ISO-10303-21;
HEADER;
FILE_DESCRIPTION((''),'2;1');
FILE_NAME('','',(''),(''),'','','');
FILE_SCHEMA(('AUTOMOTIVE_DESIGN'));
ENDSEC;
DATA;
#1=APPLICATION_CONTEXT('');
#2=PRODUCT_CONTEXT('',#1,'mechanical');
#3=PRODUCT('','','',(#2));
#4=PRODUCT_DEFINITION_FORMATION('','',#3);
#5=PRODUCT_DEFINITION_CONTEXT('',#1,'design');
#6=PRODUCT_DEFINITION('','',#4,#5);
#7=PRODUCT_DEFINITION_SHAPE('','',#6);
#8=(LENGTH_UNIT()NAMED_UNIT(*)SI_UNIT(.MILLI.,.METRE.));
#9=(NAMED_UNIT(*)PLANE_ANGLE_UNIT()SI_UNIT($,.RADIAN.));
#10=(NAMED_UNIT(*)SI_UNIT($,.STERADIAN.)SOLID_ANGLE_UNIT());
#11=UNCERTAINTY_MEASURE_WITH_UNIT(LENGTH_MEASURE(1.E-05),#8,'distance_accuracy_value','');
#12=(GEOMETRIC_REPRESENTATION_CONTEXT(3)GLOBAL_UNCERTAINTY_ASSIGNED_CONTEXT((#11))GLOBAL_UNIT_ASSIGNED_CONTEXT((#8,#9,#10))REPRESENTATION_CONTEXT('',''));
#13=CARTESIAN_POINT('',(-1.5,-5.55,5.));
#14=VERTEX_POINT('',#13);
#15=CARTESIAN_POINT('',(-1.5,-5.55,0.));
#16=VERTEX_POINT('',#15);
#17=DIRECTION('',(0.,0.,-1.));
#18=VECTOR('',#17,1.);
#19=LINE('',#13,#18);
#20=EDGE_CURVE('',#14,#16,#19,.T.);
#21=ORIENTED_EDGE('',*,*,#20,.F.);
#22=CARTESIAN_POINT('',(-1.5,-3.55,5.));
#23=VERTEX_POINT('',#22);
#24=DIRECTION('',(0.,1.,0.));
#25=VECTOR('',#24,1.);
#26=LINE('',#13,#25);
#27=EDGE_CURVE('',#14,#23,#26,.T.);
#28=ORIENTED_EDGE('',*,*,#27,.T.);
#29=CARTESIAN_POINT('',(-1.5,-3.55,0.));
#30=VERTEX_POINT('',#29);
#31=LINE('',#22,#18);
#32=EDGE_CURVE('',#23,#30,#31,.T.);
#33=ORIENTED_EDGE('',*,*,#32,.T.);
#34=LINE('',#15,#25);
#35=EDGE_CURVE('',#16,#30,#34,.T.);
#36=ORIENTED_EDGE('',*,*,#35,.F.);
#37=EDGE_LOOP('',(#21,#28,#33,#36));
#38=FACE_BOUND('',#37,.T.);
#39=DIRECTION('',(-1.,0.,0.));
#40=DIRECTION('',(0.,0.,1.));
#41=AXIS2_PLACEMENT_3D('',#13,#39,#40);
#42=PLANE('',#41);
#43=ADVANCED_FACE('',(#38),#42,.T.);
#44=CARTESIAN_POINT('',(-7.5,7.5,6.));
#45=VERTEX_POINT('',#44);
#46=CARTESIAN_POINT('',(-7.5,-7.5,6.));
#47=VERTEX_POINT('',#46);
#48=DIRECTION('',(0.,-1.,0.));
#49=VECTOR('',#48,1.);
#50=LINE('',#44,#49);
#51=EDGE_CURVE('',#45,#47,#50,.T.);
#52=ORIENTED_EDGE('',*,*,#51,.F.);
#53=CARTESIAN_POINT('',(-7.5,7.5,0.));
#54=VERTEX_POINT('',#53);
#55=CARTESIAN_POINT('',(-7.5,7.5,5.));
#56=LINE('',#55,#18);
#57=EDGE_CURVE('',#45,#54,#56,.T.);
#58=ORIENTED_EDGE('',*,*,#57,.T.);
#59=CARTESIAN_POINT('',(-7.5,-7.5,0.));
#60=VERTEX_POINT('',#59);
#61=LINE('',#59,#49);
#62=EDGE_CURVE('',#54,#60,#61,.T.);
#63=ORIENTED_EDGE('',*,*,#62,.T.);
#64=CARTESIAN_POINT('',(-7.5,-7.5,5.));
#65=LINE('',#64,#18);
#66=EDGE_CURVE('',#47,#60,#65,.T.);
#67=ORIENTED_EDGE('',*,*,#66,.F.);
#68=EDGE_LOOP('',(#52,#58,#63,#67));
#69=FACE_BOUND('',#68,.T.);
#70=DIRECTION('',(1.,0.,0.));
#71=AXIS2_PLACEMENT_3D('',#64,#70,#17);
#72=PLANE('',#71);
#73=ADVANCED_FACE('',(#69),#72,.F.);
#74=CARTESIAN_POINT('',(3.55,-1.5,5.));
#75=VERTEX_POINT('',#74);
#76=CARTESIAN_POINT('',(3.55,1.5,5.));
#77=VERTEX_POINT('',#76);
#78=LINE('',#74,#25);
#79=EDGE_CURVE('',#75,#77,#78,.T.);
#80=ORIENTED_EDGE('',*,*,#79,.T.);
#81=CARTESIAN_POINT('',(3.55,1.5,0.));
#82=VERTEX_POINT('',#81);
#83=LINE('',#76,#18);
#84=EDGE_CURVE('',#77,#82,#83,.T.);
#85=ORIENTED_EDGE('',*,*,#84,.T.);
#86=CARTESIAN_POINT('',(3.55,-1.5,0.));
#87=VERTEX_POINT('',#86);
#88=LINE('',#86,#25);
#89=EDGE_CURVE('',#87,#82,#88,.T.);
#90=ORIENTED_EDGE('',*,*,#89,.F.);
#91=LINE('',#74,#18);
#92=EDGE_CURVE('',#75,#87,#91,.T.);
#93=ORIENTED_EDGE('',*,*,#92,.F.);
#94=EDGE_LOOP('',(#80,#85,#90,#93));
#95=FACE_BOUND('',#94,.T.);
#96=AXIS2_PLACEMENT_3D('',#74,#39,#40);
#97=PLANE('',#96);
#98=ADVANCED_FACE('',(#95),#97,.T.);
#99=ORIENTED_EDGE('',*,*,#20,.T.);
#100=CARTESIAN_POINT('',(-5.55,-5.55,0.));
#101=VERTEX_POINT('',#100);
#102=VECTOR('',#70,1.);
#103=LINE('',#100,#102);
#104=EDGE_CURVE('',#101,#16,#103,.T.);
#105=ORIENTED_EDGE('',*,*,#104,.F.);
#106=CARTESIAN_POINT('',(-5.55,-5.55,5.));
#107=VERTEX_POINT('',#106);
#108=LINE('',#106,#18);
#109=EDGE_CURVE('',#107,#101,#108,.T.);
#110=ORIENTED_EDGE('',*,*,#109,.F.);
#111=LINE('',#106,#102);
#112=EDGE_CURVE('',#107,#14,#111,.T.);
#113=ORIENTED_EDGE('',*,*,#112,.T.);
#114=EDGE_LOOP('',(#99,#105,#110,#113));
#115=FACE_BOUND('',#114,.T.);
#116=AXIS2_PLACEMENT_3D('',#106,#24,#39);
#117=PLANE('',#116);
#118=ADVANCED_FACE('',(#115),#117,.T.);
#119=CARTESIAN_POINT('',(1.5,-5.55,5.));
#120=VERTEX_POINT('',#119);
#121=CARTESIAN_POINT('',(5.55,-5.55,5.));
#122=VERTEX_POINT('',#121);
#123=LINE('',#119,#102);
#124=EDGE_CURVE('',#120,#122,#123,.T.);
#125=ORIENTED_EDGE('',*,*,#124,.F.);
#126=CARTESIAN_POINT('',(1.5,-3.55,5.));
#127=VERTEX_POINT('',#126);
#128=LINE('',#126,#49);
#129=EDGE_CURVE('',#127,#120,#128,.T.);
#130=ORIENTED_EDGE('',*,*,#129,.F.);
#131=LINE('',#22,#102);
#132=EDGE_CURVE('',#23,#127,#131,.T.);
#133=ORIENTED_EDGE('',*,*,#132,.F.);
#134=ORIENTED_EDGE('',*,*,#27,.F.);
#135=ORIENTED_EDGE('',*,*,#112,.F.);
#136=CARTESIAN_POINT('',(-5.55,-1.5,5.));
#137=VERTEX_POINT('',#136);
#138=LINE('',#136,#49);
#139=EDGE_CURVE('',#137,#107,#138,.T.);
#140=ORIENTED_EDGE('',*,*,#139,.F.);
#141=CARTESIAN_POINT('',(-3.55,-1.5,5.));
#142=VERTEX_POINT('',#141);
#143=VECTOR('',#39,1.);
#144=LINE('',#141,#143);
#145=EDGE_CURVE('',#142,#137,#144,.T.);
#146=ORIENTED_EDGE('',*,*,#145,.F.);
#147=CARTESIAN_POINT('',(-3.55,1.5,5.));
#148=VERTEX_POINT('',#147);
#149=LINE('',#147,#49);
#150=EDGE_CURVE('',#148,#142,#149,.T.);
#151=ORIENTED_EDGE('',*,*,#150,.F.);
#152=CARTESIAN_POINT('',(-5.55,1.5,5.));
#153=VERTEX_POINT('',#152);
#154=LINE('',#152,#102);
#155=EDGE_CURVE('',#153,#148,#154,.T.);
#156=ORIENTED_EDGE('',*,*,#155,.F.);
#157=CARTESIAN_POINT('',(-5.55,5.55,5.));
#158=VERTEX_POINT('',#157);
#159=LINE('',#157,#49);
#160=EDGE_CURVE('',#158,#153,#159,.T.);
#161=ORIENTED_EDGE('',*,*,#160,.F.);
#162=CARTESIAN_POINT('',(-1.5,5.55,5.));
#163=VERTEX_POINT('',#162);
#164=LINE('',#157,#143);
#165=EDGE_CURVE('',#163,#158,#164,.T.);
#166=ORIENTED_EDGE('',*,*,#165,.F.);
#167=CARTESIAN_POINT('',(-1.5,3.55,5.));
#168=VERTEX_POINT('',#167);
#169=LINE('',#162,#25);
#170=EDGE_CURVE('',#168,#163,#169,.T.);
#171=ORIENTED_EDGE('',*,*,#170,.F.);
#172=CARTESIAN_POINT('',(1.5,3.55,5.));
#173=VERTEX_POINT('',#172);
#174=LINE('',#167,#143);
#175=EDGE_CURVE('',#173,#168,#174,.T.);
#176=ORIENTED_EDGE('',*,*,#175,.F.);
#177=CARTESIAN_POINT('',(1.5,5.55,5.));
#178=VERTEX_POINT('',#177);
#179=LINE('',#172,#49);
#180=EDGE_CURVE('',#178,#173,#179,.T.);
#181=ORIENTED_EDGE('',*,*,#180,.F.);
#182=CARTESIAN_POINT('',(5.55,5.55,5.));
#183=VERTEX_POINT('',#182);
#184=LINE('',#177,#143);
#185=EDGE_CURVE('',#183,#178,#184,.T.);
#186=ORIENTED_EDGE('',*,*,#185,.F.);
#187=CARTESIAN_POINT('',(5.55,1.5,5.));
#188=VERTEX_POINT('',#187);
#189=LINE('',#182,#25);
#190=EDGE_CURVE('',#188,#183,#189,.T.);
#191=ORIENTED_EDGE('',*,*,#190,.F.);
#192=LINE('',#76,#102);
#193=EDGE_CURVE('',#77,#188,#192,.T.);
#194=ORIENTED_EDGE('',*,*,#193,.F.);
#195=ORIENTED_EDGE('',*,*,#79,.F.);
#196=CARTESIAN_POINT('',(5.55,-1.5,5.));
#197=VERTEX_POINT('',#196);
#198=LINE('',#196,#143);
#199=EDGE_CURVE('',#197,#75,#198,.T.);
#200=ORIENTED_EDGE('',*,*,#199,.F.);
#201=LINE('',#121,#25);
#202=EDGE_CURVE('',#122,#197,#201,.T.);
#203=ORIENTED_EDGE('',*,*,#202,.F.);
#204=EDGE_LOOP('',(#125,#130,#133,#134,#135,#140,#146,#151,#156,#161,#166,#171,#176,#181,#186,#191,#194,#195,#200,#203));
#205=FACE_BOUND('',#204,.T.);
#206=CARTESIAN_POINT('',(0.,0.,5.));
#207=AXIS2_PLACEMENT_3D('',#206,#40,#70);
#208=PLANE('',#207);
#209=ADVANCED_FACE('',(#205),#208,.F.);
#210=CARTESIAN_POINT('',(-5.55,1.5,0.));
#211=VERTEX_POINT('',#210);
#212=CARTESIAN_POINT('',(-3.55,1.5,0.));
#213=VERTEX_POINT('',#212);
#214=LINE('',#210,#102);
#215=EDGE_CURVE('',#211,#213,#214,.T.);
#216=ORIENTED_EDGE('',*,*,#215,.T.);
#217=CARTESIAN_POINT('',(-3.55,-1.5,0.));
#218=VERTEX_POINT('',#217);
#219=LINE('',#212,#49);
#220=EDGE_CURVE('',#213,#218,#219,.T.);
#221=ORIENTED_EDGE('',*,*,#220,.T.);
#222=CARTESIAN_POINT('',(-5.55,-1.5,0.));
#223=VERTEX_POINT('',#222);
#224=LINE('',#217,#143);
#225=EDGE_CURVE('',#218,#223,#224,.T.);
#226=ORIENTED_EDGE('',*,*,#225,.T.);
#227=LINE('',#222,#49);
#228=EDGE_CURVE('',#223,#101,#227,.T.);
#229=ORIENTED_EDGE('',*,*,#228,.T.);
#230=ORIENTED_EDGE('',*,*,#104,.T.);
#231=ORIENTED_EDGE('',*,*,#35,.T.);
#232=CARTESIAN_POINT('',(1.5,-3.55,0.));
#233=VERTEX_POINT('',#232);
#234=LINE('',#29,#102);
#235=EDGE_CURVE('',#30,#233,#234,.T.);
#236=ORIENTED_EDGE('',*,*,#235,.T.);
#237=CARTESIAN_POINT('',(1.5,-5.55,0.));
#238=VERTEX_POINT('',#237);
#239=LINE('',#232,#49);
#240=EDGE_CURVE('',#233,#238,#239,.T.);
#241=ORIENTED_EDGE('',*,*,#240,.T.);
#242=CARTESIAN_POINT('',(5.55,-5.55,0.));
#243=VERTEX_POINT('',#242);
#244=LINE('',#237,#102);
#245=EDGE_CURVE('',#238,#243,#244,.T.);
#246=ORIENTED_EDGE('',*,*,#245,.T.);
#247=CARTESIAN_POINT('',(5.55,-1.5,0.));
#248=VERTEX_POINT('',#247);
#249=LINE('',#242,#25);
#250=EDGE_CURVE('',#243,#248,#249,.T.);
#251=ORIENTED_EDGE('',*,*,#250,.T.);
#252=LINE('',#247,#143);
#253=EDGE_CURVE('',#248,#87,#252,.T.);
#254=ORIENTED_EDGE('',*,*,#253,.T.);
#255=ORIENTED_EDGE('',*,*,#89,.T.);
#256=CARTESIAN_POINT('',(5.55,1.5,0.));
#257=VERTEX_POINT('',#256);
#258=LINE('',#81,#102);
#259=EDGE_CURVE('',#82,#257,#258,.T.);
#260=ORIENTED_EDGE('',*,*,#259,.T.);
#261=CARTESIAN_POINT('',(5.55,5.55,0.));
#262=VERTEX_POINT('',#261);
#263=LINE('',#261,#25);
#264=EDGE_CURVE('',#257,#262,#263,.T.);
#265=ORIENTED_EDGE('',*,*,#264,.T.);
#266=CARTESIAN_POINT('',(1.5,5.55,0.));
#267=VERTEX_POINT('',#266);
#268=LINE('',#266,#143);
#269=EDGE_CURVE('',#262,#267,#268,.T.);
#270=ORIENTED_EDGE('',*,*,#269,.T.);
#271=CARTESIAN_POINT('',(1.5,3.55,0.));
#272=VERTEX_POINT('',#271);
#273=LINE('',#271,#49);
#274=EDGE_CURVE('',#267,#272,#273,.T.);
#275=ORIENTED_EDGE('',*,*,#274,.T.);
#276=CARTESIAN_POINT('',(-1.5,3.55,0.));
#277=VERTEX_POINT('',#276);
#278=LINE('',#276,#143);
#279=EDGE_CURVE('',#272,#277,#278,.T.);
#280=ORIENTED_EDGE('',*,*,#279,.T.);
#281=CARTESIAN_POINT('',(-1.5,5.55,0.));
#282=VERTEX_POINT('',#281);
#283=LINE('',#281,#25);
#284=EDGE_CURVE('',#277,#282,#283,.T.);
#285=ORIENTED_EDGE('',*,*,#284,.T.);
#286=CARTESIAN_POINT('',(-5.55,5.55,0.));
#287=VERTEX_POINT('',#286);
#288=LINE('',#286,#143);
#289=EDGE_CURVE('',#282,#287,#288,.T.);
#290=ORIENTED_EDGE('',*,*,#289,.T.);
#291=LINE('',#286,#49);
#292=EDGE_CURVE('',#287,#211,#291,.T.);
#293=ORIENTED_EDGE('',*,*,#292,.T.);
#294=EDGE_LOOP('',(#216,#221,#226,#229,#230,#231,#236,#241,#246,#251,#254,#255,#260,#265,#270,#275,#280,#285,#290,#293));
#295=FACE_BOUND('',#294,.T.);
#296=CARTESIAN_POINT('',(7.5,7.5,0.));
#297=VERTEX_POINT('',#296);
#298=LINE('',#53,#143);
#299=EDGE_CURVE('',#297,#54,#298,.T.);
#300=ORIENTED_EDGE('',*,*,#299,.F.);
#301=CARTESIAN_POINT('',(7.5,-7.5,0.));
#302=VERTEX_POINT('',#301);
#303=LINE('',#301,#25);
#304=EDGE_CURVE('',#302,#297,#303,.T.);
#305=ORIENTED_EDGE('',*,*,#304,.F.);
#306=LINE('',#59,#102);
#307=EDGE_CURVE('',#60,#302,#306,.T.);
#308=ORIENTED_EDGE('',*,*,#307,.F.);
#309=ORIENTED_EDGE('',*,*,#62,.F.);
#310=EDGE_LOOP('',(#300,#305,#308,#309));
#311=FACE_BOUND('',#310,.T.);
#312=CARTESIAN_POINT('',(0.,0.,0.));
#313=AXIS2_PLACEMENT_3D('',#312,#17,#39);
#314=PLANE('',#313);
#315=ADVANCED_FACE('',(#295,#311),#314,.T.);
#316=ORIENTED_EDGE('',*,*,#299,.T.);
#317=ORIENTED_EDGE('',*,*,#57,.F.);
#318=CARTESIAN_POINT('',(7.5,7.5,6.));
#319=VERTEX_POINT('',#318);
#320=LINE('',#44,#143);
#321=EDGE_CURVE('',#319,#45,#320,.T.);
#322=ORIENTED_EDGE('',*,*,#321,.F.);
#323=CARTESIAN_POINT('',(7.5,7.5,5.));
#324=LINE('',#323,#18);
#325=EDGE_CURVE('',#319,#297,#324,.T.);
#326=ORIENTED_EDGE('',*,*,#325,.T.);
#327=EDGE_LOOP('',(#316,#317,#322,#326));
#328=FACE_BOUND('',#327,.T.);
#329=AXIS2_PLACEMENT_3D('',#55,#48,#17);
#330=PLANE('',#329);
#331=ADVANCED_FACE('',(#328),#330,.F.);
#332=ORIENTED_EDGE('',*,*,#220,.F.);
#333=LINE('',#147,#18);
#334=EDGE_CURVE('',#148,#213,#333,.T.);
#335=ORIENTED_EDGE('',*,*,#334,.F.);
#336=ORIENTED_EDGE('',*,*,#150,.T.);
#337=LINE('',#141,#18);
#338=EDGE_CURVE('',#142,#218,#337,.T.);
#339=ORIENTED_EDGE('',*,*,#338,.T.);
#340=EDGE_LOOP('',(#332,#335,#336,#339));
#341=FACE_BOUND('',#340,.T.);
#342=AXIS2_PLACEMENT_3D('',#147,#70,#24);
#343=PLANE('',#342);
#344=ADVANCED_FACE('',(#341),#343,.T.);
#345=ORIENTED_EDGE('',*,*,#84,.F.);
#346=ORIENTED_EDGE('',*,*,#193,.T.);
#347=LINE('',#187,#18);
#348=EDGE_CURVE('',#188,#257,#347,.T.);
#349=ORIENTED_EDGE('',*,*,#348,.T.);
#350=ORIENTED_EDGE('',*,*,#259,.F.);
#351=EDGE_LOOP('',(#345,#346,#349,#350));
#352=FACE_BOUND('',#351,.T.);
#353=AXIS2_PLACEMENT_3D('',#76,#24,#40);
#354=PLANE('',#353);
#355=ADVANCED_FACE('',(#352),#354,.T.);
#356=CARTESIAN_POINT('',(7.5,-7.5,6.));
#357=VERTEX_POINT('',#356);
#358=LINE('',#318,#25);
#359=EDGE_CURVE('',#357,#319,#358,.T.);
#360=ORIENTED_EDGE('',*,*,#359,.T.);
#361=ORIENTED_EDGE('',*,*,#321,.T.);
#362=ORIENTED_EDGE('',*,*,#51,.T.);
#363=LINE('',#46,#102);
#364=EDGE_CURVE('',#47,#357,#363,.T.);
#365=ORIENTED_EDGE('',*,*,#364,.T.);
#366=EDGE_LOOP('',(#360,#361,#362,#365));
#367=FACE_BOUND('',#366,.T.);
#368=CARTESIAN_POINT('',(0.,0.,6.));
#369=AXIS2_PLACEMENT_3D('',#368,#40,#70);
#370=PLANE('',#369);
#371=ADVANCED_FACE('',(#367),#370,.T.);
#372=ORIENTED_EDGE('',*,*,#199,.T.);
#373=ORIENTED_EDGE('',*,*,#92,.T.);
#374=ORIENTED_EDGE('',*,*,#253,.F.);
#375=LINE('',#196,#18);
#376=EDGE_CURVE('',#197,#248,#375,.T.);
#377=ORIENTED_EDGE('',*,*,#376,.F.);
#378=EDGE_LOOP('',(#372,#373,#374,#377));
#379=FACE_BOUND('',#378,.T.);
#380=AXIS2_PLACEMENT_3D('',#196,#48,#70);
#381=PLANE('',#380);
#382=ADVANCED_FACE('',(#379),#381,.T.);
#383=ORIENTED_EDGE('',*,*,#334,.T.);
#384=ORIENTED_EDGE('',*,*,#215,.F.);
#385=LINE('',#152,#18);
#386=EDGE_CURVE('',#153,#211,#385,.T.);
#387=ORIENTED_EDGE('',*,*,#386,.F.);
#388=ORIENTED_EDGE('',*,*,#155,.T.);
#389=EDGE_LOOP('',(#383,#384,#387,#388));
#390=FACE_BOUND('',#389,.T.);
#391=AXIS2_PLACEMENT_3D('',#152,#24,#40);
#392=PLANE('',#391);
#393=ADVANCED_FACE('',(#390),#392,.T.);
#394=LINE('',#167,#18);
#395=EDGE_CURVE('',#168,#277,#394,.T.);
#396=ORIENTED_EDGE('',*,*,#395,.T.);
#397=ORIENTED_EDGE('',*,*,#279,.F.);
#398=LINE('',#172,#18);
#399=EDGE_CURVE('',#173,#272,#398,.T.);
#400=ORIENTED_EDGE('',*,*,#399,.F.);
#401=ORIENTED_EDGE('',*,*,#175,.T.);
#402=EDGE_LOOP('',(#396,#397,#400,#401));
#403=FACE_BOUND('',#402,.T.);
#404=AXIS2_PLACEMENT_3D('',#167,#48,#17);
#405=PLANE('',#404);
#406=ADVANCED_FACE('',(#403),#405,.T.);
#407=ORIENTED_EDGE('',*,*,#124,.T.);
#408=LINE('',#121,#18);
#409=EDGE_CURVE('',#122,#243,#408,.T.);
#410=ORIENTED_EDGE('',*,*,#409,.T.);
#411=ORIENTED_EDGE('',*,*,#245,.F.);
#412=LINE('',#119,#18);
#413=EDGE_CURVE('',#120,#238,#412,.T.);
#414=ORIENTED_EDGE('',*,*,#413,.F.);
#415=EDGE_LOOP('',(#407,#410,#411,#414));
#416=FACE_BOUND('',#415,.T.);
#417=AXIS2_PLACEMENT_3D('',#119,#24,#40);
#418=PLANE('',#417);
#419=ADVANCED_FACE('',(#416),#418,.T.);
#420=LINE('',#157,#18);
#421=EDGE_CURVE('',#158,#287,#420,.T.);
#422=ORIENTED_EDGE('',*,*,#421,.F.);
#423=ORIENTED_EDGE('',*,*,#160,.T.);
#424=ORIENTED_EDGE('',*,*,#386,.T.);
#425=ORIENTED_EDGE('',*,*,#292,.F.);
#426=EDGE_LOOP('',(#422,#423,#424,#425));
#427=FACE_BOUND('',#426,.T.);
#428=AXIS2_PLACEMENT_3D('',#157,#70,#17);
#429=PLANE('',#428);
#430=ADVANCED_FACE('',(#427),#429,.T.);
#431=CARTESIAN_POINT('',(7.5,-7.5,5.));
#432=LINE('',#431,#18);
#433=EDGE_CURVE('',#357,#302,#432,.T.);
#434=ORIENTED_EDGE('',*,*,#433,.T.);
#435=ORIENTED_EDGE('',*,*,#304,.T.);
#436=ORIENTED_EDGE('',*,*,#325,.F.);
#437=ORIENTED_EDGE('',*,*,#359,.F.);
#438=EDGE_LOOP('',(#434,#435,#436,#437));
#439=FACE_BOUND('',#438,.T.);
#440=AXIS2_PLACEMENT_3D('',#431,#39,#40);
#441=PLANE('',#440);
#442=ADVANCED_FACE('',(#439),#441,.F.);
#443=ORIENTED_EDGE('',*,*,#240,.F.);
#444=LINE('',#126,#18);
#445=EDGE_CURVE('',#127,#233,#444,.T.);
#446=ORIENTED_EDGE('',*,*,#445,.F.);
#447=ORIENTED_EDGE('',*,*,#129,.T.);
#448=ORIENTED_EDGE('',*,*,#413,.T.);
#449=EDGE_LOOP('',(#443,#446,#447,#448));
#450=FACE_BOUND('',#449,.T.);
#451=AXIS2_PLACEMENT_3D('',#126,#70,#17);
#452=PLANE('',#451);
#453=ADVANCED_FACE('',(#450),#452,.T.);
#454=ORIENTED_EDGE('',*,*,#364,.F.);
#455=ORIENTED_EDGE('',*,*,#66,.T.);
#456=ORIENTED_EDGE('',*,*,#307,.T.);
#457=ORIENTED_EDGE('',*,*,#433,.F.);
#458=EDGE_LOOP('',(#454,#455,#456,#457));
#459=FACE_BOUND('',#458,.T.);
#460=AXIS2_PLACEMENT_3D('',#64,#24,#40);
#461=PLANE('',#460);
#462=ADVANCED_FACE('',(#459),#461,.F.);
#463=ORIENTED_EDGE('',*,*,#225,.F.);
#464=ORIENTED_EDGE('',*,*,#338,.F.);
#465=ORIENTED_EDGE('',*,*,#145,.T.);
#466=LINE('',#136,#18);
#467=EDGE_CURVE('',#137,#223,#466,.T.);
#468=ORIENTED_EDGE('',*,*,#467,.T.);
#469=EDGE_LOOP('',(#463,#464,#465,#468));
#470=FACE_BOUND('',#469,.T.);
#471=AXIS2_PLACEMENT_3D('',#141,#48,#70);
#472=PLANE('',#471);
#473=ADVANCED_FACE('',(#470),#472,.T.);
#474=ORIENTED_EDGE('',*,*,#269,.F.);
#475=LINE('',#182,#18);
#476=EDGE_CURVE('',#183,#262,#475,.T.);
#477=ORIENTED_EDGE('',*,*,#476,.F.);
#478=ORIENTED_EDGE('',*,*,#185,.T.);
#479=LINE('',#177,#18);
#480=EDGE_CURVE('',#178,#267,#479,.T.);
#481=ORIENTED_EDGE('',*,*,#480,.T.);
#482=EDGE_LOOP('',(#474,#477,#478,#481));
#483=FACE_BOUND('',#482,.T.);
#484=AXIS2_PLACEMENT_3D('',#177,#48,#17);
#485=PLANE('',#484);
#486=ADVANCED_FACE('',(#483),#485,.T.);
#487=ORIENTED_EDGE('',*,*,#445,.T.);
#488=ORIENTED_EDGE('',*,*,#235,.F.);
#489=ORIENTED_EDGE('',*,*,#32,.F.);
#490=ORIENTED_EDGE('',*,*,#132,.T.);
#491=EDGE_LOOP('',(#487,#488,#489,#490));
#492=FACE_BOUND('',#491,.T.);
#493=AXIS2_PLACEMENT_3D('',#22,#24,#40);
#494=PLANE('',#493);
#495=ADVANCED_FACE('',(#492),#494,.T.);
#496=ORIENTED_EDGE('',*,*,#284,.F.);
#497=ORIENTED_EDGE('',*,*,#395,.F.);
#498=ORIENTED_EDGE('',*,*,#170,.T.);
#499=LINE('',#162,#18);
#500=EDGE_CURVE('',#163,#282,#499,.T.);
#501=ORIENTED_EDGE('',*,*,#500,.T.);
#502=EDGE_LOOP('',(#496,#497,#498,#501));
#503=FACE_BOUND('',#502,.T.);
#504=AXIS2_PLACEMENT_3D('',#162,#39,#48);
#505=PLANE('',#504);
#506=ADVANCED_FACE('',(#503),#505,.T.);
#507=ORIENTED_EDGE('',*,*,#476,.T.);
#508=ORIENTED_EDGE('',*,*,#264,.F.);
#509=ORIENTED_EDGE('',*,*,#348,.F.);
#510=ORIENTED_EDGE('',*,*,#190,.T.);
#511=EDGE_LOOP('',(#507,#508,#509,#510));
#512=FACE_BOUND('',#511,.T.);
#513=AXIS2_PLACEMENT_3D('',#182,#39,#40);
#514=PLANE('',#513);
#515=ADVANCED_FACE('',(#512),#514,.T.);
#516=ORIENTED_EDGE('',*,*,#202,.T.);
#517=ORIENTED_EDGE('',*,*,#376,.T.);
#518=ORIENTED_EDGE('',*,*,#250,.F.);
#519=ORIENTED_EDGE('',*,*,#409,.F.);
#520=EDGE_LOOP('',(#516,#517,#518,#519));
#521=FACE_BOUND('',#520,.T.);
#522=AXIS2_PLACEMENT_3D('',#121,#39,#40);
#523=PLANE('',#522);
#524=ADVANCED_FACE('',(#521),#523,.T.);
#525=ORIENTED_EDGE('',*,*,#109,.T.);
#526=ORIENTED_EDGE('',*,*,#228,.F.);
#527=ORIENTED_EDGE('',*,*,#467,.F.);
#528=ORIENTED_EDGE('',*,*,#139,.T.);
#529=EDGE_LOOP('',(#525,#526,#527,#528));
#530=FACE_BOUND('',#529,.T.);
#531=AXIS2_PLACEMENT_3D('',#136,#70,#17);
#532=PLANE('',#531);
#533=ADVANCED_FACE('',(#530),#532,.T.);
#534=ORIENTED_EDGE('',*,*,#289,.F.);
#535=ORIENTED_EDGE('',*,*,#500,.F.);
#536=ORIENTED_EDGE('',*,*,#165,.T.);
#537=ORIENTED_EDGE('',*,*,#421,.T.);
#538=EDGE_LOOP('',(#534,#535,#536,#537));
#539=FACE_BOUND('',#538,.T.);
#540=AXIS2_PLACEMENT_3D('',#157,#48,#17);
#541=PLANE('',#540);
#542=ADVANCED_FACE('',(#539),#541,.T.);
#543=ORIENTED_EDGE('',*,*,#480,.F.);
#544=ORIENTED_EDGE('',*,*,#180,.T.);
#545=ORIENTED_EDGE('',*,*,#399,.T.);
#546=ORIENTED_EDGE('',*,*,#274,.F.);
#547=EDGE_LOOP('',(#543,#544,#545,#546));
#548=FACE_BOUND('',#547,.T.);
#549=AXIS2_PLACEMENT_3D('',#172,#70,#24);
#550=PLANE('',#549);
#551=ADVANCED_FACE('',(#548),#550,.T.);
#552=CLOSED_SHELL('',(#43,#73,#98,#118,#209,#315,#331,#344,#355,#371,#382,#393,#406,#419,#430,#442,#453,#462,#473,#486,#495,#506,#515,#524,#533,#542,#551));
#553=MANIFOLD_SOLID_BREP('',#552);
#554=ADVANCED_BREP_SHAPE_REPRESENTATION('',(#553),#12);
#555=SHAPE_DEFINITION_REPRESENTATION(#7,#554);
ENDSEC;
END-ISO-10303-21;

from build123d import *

# Parameters (mm, degrees)
SKETCH1_W           = 15
SKETCH1_H           = 15
BOSS_EXTRUDE1_DEPTH = 5
SKETCH2_W           = 15
SKETCH2_H           = 15
BOSS_EXTRUDE2_DEPTH = 1


with BuildPart() as part:
    # Sketch1 → Boss-Extrude1 (new body)
    with BuildSketch(Plane.XY):
        Rectangle(SKETCH1_W, SKETCH1_H)
        Polygon((-5.55, 5.55), (-1.5, 5.55), (-1.5, 3.55), (1.5, 3.55), (1.5, 5.55), (5.55, 5.55), (5.55, 1.5), (3.55, 1.5), (3.55, -1.5), (5.55, -1.5), (5.55, -5.55), (1.5, -5.55), (1.5, -3.55), (-1.5, -3.55), (-1.5, -5.55), (-5.55, -5.55), (-5.55, -1.5), (-3.55, -1.5), (-3.55, 1.5), (-5.55, 1.5), align=None, mode=Mode.SUBTRACT)
    extrude(amount=BOSS_EXTRUDE1_DEPTH)

    # Sketch2 → Boss-Extrude2 (add)
    with BuildSketch(Plane.XY.offset(5)):
        Rectangle(SKETCH2_W, SKETCH2_H)
    extrude(amount=BOSS_EXTRUDE2_DEPTH)


solid = part.part
